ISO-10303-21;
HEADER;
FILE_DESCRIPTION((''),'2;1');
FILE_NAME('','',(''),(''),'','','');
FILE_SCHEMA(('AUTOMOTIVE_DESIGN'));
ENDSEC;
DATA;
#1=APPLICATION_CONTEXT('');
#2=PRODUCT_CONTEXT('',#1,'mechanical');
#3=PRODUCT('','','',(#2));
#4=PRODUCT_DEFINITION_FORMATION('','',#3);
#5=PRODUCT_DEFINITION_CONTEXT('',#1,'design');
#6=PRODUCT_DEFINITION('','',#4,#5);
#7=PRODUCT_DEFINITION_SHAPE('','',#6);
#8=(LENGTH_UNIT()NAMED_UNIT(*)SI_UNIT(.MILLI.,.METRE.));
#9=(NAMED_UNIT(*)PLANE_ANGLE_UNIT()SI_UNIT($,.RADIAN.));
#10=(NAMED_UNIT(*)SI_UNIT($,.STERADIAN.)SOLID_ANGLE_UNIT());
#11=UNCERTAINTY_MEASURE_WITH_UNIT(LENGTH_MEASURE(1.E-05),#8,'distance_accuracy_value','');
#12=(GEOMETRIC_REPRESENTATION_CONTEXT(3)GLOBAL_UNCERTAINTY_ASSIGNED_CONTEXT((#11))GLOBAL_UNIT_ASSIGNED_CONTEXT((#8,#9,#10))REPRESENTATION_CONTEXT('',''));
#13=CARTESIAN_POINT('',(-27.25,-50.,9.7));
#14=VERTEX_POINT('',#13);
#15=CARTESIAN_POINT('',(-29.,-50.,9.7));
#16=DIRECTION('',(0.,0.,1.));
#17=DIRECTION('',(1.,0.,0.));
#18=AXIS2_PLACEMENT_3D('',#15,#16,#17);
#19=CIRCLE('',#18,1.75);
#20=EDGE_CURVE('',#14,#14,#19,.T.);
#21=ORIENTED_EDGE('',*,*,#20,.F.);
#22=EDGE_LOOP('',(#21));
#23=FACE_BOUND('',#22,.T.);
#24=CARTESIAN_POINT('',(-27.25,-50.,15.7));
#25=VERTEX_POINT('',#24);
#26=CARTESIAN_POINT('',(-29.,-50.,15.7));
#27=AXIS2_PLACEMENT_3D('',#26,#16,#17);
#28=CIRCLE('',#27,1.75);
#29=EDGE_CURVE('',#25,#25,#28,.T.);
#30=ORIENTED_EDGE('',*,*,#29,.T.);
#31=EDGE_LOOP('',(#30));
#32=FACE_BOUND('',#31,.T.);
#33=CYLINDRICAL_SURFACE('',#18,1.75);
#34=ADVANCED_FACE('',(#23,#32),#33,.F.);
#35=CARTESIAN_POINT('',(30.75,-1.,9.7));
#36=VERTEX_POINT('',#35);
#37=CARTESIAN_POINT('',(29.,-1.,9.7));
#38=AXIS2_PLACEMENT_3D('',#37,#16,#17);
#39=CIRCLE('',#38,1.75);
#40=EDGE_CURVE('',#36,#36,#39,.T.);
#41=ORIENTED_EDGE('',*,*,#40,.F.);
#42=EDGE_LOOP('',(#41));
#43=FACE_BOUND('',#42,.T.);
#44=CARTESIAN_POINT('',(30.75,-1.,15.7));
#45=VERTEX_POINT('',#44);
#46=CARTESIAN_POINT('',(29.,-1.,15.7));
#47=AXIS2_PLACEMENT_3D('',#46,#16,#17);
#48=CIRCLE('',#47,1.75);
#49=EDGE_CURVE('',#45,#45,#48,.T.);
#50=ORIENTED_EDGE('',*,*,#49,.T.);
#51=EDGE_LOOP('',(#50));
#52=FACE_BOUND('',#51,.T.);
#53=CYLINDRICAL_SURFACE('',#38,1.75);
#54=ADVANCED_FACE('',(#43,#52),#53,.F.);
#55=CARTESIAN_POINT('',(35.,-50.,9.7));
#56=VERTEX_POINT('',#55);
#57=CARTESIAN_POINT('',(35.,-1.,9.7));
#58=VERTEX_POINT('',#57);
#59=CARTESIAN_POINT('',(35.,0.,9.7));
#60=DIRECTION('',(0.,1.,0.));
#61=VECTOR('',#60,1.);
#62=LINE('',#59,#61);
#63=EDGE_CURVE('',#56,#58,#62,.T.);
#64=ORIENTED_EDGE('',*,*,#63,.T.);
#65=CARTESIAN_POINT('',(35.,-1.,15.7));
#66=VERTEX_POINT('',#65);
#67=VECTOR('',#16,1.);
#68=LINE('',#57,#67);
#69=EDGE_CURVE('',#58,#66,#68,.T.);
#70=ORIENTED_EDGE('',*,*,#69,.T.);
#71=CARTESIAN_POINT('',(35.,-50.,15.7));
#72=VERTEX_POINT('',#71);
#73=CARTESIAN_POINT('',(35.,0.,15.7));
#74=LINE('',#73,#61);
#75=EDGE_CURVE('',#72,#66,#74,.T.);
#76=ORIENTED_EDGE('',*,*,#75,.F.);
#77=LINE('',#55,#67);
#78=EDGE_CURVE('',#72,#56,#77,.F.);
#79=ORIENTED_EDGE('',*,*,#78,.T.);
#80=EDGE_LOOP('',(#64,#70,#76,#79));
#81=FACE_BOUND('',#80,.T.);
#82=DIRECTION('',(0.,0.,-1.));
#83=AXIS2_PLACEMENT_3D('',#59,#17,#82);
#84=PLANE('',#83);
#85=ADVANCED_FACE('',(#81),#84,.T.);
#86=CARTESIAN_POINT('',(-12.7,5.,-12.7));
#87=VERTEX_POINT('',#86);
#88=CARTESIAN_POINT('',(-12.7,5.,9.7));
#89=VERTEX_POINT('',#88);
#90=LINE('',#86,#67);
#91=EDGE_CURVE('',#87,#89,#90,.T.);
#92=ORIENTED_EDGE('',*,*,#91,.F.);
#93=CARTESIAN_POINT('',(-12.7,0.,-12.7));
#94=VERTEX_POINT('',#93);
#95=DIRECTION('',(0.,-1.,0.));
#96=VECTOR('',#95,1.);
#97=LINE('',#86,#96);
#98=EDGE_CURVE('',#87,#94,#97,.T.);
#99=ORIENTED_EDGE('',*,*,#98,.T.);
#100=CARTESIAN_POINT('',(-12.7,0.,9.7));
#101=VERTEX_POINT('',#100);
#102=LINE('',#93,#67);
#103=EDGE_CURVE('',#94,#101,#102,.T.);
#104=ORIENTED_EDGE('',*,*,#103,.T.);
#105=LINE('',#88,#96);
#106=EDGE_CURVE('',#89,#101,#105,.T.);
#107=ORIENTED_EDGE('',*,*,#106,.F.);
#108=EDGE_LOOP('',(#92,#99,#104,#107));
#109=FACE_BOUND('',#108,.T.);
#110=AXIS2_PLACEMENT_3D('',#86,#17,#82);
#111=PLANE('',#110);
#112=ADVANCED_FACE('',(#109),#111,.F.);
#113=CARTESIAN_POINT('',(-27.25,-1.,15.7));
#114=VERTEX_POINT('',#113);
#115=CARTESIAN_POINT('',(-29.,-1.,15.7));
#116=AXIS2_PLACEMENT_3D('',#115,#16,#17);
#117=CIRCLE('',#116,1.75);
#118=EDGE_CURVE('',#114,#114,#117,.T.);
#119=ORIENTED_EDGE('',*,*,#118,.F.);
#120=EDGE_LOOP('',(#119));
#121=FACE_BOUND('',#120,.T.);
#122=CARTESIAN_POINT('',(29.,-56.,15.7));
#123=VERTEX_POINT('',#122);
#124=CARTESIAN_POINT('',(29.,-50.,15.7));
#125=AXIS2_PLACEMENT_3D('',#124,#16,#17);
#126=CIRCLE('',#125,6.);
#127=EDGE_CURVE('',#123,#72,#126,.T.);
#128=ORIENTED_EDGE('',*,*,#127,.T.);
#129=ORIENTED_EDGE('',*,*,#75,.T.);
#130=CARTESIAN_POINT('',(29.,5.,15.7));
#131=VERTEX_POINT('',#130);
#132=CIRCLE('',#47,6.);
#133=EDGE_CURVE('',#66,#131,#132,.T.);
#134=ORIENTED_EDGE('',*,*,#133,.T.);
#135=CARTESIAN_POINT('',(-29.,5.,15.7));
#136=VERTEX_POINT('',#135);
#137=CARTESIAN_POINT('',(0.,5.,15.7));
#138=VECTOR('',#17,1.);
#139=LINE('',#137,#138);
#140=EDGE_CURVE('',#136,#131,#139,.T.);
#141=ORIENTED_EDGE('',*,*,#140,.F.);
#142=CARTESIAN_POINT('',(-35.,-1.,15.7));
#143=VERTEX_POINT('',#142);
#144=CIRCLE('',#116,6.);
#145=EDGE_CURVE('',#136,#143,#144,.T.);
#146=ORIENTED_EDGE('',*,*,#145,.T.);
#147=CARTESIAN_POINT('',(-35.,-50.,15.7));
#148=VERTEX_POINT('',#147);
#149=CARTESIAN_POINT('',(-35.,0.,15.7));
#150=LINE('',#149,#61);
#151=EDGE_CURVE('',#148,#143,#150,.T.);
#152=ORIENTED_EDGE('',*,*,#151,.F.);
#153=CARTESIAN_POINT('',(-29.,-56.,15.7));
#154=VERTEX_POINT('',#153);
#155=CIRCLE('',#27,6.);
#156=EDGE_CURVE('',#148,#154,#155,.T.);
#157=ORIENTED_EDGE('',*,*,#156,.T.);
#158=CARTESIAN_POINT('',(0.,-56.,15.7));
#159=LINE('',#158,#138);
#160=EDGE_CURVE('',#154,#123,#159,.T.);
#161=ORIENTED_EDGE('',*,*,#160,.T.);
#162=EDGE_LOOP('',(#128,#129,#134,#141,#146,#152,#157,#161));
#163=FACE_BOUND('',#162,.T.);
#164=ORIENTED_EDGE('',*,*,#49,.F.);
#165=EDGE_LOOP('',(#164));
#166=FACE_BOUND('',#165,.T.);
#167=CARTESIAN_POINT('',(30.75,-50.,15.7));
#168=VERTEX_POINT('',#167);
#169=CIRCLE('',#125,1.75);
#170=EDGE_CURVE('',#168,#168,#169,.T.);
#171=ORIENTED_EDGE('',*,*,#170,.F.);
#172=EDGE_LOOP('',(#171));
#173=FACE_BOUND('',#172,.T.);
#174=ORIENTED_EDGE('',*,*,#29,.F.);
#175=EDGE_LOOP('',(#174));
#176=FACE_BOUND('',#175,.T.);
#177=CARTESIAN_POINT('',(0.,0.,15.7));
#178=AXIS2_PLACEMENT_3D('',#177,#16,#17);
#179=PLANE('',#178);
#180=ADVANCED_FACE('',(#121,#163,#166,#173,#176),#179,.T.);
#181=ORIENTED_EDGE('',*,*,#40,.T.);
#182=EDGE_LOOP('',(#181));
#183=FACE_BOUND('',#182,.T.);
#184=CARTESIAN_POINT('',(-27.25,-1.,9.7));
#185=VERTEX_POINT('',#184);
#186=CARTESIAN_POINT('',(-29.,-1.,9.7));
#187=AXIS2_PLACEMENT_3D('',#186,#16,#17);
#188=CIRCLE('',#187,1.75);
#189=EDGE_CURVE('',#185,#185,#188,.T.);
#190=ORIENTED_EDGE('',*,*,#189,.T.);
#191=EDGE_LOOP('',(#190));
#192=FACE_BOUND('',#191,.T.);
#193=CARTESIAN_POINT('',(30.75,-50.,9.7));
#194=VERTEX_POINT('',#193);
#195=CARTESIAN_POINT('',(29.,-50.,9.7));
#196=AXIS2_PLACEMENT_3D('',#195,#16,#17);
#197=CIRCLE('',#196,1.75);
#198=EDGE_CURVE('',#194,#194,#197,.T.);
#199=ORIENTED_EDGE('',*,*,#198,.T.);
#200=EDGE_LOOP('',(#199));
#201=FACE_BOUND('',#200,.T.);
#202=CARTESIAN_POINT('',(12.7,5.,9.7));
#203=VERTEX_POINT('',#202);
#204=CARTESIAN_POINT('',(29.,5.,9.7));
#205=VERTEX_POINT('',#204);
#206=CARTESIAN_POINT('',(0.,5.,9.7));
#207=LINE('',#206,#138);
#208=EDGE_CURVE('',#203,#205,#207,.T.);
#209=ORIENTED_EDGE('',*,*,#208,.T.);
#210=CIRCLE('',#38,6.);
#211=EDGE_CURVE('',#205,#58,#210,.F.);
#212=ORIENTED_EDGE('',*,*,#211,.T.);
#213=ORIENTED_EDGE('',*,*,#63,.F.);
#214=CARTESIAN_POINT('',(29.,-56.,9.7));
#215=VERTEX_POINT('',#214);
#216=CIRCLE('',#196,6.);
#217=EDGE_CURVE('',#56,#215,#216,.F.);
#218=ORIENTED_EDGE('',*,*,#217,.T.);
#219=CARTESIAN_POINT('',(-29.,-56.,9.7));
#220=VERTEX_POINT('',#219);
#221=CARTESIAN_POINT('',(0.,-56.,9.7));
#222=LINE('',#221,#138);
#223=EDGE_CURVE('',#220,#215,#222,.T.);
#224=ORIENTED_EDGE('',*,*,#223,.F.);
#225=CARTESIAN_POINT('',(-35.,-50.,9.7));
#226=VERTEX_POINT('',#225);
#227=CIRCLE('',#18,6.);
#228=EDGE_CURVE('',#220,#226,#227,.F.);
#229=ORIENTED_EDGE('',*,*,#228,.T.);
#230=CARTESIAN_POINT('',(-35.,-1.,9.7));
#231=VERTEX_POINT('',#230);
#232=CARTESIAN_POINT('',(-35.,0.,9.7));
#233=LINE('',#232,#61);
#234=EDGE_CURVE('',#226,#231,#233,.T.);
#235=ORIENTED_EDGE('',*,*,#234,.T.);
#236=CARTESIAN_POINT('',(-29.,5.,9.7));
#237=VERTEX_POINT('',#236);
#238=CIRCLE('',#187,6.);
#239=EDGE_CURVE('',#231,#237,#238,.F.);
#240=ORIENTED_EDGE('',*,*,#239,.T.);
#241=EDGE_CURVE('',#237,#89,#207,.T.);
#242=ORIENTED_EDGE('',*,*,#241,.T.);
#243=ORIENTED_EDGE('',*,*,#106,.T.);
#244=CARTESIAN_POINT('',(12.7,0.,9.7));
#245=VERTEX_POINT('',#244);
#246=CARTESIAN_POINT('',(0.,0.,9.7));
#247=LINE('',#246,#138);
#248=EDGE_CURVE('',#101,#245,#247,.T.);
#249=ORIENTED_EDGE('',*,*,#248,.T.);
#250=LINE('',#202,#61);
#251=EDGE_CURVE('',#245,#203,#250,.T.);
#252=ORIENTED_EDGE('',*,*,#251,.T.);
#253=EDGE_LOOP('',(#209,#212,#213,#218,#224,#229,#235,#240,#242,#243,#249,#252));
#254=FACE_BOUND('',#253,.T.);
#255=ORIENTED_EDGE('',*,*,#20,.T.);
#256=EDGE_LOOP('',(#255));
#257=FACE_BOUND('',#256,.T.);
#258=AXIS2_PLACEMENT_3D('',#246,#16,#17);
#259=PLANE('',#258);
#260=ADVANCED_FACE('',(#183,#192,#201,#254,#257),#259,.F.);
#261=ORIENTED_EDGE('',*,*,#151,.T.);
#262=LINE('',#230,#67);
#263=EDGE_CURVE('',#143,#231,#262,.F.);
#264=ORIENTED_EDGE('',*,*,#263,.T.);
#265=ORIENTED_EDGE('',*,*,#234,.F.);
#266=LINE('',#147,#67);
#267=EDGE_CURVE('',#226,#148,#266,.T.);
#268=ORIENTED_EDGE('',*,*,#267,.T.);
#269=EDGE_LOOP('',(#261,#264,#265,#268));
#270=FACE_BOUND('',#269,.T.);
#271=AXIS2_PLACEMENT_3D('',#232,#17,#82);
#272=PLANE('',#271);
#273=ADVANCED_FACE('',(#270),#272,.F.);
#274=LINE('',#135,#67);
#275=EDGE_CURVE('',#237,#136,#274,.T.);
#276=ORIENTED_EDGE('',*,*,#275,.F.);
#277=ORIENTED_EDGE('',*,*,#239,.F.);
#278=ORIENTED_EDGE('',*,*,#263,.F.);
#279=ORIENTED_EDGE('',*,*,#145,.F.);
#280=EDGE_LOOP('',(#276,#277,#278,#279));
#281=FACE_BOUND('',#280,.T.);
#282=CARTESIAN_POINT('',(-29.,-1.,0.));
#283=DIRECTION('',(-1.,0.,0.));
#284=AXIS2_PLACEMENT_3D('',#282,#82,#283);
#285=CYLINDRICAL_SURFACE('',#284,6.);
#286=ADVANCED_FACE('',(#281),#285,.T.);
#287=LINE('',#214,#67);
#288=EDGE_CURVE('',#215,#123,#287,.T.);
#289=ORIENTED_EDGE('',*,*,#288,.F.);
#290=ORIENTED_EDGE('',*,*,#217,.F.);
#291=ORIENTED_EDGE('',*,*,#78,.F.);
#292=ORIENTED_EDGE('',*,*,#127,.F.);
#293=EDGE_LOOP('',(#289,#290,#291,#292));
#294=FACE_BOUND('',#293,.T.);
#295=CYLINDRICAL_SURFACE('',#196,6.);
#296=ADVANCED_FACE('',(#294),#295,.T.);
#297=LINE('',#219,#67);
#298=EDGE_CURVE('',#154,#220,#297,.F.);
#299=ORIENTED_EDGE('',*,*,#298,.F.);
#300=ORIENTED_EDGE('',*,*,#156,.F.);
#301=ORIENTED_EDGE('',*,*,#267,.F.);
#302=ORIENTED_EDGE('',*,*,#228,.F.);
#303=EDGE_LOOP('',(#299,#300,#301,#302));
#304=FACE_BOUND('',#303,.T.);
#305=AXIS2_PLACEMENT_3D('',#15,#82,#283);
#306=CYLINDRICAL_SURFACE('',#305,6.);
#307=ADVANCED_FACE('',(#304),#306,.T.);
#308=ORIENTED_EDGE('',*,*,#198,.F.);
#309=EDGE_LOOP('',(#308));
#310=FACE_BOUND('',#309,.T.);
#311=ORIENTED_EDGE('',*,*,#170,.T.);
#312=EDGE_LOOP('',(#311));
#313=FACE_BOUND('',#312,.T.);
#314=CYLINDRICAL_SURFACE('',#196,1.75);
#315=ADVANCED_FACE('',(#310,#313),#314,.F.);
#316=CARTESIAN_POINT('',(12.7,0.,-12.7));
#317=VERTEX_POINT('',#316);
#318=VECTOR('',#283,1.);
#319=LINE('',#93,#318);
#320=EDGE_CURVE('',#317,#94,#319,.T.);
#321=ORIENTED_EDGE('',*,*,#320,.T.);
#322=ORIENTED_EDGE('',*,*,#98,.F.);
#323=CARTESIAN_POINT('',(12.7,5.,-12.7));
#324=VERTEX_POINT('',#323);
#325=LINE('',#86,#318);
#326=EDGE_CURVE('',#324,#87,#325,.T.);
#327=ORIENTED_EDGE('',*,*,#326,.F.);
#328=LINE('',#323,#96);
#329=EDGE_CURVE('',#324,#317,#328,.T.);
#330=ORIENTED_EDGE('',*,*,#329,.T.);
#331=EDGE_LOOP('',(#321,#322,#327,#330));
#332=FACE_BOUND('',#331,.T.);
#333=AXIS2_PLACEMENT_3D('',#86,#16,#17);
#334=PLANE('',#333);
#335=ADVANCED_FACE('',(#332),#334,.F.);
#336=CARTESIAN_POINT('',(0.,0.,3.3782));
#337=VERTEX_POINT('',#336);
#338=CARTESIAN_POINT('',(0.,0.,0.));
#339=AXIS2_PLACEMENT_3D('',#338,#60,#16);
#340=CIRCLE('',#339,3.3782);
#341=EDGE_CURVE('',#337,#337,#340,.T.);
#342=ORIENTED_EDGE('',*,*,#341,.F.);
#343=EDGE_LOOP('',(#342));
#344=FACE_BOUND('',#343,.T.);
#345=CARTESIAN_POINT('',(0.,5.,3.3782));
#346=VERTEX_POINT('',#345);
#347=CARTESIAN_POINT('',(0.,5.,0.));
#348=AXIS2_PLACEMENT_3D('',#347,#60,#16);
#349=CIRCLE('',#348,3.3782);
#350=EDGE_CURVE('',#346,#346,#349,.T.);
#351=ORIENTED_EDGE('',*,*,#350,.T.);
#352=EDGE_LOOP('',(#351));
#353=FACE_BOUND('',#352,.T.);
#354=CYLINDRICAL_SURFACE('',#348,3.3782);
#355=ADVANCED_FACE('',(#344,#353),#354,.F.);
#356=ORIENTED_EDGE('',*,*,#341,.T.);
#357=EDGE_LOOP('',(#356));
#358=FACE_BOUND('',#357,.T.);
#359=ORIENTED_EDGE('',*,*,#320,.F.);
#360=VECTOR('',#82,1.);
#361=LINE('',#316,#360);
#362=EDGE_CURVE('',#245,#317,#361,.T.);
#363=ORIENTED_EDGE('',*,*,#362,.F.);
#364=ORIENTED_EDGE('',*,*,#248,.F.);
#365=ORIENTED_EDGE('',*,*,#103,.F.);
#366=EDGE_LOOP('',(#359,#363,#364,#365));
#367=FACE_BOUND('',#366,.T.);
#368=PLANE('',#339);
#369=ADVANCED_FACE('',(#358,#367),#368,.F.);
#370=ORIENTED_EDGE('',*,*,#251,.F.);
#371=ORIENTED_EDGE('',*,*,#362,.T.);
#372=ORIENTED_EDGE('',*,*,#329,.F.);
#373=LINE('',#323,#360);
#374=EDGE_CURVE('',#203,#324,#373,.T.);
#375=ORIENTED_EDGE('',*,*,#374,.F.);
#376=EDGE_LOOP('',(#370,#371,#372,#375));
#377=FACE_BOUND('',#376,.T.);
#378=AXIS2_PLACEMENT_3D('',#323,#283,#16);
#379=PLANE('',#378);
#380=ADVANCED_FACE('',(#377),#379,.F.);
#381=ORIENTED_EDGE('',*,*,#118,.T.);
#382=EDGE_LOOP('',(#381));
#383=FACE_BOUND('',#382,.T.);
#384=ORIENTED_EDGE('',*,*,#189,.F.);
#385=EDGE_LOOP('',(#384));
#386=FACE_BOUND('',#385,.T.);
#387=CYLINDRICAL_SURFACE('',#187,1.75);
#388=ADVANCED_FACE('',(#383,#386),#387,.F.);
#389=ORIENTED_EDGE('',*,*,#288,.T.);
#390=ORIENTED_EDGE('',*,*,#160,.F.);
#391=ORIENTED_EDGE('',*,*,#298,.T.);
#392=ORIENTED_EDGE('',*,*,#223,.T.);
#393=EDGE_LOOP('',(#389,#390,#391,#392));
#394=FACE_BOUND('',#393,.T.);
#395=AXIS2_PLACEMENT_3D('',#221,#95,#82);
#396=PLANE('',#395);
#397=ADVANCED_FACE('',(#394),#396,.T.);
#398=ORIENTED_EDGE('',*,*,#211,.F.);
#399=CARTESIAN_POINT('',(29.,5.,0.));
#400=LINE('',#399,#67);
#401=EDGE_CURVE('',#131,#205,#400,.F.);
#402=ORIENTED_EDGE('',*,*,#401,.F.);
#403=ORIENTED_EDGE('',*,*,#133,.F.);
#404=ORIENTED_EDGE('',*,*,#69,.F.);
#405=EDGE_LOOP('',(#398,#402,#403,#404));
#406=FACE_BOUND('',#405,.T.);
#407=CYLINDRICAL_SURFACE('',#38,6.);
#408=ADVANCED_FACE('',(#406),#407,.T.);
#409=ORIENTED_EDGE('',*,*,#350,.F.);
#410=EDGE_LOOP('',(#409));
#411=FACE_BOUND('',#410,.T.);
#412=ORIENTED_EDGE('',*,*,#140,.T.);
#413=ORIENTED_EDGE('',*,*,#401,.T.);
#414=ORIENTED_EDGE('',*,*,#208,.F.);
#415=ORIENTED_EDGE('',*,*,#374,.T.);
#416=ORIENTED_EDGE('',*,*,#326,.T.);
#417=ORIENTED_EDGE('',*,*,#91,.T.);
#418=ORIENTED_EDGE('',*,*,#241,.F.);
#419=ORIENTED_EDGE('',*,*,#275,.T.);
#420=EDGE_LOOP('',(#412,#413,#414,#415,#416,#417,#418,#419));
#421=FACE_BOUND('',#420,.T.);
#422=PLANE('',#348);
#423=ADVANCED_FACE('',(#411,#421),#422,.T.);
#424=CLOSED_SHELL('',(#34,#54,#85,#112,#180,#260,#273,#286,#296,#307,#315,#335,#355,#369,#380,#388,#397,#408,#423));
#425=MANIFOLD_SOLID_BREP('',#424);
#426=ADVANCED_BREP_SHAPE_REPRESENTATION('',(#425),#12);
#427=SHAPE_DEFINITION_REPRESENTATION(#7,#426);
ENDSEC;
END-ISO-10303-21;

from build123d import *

# Parameters (mm, degrees)
SKETCH1_W               = 25.4
SKETCH1_H               = 25.4
BOSS_EXTRUDE1_DEPTH     = 5
F_1_4_CLEARANCE_HOLE1_D = 6.7564
SKETCH4_R               = 1.75
SKETCH4_W               = 25.4
SKETCH4_H               = 5
BOSS_EXTRUDE2_DEPTH     = 3
FILLET1_R               = 6


with BuildPart() as part:
    # Sketch1 → Boss-Extrude1 (new body)
    with BuildSketch(Plane(origin=(0, 0, 0), x_dir=(1, 0, 0), z_dir=(0, 1, 0))):
        Rectangle(SKETCH1_W, SKETCH1_H)
    extrude(amount=BOSS_EXTRUDE1_DEPTH)

    # 1/4 Clearance Hole1 (through all)
    with Locations(Plane(origin=(0, 5, 0), x_dir=(1, 0, 0), z_dir=(0, 1, 0))):
        with Locations((0, 0)):
            Hole(F_1_4_CLEARANCE_HOLE1_D / 2)

    # Sketch4 → Boss-Extrude2 (add, symmetric)
    # profile 1 of 2: a face of its own
    with BuildSketch(Plane.XY.offset(12.7)):
        Polygon((-35, 5), (-35, -56), (35, -56), (35, 5), (12.7, 5), (12.7, 0), (-12.7, 0), (-12.7, 5), align=None)
        with Locations((-29, -50)):
            Circle(SKETCH4_R, mode=Mode.SUBTRACT)
        with Locations((29, -50)):
            Circle(SKETCH4_R, mode=Mode.SUBTRACT)
        with Locations((-29, -1)):
            Circle(SKETCH4_R, mode=Mode.SUBTRACT)
        with Locations((29, -1)):
            Circle(SKETCH4_R, mode=Mode.SUBTRACT)
    # profile 2 of 2: a face of its own
    with BuildSketch(Plane.XY.offset(12.7)):
        with Locations((0, 2.5)):
            Rectangle(SKETCH4_W, SKETCH4_H)
    extrude(amount=BOSS_EXTRUDE2_DEPTH, both=True)

    # Fillet1
    fillet1_edges = [part.edges().sort_by_distance(p)[0] for p in [
        (-35, 5, 12.7),
        (35, 5, 12.7),
        (35, -56, 12.7),
        (-35, -56, 12.7),
    ]]
    fillet(fillet1_edges, radius=FILLET1_R)


solid = part.part
